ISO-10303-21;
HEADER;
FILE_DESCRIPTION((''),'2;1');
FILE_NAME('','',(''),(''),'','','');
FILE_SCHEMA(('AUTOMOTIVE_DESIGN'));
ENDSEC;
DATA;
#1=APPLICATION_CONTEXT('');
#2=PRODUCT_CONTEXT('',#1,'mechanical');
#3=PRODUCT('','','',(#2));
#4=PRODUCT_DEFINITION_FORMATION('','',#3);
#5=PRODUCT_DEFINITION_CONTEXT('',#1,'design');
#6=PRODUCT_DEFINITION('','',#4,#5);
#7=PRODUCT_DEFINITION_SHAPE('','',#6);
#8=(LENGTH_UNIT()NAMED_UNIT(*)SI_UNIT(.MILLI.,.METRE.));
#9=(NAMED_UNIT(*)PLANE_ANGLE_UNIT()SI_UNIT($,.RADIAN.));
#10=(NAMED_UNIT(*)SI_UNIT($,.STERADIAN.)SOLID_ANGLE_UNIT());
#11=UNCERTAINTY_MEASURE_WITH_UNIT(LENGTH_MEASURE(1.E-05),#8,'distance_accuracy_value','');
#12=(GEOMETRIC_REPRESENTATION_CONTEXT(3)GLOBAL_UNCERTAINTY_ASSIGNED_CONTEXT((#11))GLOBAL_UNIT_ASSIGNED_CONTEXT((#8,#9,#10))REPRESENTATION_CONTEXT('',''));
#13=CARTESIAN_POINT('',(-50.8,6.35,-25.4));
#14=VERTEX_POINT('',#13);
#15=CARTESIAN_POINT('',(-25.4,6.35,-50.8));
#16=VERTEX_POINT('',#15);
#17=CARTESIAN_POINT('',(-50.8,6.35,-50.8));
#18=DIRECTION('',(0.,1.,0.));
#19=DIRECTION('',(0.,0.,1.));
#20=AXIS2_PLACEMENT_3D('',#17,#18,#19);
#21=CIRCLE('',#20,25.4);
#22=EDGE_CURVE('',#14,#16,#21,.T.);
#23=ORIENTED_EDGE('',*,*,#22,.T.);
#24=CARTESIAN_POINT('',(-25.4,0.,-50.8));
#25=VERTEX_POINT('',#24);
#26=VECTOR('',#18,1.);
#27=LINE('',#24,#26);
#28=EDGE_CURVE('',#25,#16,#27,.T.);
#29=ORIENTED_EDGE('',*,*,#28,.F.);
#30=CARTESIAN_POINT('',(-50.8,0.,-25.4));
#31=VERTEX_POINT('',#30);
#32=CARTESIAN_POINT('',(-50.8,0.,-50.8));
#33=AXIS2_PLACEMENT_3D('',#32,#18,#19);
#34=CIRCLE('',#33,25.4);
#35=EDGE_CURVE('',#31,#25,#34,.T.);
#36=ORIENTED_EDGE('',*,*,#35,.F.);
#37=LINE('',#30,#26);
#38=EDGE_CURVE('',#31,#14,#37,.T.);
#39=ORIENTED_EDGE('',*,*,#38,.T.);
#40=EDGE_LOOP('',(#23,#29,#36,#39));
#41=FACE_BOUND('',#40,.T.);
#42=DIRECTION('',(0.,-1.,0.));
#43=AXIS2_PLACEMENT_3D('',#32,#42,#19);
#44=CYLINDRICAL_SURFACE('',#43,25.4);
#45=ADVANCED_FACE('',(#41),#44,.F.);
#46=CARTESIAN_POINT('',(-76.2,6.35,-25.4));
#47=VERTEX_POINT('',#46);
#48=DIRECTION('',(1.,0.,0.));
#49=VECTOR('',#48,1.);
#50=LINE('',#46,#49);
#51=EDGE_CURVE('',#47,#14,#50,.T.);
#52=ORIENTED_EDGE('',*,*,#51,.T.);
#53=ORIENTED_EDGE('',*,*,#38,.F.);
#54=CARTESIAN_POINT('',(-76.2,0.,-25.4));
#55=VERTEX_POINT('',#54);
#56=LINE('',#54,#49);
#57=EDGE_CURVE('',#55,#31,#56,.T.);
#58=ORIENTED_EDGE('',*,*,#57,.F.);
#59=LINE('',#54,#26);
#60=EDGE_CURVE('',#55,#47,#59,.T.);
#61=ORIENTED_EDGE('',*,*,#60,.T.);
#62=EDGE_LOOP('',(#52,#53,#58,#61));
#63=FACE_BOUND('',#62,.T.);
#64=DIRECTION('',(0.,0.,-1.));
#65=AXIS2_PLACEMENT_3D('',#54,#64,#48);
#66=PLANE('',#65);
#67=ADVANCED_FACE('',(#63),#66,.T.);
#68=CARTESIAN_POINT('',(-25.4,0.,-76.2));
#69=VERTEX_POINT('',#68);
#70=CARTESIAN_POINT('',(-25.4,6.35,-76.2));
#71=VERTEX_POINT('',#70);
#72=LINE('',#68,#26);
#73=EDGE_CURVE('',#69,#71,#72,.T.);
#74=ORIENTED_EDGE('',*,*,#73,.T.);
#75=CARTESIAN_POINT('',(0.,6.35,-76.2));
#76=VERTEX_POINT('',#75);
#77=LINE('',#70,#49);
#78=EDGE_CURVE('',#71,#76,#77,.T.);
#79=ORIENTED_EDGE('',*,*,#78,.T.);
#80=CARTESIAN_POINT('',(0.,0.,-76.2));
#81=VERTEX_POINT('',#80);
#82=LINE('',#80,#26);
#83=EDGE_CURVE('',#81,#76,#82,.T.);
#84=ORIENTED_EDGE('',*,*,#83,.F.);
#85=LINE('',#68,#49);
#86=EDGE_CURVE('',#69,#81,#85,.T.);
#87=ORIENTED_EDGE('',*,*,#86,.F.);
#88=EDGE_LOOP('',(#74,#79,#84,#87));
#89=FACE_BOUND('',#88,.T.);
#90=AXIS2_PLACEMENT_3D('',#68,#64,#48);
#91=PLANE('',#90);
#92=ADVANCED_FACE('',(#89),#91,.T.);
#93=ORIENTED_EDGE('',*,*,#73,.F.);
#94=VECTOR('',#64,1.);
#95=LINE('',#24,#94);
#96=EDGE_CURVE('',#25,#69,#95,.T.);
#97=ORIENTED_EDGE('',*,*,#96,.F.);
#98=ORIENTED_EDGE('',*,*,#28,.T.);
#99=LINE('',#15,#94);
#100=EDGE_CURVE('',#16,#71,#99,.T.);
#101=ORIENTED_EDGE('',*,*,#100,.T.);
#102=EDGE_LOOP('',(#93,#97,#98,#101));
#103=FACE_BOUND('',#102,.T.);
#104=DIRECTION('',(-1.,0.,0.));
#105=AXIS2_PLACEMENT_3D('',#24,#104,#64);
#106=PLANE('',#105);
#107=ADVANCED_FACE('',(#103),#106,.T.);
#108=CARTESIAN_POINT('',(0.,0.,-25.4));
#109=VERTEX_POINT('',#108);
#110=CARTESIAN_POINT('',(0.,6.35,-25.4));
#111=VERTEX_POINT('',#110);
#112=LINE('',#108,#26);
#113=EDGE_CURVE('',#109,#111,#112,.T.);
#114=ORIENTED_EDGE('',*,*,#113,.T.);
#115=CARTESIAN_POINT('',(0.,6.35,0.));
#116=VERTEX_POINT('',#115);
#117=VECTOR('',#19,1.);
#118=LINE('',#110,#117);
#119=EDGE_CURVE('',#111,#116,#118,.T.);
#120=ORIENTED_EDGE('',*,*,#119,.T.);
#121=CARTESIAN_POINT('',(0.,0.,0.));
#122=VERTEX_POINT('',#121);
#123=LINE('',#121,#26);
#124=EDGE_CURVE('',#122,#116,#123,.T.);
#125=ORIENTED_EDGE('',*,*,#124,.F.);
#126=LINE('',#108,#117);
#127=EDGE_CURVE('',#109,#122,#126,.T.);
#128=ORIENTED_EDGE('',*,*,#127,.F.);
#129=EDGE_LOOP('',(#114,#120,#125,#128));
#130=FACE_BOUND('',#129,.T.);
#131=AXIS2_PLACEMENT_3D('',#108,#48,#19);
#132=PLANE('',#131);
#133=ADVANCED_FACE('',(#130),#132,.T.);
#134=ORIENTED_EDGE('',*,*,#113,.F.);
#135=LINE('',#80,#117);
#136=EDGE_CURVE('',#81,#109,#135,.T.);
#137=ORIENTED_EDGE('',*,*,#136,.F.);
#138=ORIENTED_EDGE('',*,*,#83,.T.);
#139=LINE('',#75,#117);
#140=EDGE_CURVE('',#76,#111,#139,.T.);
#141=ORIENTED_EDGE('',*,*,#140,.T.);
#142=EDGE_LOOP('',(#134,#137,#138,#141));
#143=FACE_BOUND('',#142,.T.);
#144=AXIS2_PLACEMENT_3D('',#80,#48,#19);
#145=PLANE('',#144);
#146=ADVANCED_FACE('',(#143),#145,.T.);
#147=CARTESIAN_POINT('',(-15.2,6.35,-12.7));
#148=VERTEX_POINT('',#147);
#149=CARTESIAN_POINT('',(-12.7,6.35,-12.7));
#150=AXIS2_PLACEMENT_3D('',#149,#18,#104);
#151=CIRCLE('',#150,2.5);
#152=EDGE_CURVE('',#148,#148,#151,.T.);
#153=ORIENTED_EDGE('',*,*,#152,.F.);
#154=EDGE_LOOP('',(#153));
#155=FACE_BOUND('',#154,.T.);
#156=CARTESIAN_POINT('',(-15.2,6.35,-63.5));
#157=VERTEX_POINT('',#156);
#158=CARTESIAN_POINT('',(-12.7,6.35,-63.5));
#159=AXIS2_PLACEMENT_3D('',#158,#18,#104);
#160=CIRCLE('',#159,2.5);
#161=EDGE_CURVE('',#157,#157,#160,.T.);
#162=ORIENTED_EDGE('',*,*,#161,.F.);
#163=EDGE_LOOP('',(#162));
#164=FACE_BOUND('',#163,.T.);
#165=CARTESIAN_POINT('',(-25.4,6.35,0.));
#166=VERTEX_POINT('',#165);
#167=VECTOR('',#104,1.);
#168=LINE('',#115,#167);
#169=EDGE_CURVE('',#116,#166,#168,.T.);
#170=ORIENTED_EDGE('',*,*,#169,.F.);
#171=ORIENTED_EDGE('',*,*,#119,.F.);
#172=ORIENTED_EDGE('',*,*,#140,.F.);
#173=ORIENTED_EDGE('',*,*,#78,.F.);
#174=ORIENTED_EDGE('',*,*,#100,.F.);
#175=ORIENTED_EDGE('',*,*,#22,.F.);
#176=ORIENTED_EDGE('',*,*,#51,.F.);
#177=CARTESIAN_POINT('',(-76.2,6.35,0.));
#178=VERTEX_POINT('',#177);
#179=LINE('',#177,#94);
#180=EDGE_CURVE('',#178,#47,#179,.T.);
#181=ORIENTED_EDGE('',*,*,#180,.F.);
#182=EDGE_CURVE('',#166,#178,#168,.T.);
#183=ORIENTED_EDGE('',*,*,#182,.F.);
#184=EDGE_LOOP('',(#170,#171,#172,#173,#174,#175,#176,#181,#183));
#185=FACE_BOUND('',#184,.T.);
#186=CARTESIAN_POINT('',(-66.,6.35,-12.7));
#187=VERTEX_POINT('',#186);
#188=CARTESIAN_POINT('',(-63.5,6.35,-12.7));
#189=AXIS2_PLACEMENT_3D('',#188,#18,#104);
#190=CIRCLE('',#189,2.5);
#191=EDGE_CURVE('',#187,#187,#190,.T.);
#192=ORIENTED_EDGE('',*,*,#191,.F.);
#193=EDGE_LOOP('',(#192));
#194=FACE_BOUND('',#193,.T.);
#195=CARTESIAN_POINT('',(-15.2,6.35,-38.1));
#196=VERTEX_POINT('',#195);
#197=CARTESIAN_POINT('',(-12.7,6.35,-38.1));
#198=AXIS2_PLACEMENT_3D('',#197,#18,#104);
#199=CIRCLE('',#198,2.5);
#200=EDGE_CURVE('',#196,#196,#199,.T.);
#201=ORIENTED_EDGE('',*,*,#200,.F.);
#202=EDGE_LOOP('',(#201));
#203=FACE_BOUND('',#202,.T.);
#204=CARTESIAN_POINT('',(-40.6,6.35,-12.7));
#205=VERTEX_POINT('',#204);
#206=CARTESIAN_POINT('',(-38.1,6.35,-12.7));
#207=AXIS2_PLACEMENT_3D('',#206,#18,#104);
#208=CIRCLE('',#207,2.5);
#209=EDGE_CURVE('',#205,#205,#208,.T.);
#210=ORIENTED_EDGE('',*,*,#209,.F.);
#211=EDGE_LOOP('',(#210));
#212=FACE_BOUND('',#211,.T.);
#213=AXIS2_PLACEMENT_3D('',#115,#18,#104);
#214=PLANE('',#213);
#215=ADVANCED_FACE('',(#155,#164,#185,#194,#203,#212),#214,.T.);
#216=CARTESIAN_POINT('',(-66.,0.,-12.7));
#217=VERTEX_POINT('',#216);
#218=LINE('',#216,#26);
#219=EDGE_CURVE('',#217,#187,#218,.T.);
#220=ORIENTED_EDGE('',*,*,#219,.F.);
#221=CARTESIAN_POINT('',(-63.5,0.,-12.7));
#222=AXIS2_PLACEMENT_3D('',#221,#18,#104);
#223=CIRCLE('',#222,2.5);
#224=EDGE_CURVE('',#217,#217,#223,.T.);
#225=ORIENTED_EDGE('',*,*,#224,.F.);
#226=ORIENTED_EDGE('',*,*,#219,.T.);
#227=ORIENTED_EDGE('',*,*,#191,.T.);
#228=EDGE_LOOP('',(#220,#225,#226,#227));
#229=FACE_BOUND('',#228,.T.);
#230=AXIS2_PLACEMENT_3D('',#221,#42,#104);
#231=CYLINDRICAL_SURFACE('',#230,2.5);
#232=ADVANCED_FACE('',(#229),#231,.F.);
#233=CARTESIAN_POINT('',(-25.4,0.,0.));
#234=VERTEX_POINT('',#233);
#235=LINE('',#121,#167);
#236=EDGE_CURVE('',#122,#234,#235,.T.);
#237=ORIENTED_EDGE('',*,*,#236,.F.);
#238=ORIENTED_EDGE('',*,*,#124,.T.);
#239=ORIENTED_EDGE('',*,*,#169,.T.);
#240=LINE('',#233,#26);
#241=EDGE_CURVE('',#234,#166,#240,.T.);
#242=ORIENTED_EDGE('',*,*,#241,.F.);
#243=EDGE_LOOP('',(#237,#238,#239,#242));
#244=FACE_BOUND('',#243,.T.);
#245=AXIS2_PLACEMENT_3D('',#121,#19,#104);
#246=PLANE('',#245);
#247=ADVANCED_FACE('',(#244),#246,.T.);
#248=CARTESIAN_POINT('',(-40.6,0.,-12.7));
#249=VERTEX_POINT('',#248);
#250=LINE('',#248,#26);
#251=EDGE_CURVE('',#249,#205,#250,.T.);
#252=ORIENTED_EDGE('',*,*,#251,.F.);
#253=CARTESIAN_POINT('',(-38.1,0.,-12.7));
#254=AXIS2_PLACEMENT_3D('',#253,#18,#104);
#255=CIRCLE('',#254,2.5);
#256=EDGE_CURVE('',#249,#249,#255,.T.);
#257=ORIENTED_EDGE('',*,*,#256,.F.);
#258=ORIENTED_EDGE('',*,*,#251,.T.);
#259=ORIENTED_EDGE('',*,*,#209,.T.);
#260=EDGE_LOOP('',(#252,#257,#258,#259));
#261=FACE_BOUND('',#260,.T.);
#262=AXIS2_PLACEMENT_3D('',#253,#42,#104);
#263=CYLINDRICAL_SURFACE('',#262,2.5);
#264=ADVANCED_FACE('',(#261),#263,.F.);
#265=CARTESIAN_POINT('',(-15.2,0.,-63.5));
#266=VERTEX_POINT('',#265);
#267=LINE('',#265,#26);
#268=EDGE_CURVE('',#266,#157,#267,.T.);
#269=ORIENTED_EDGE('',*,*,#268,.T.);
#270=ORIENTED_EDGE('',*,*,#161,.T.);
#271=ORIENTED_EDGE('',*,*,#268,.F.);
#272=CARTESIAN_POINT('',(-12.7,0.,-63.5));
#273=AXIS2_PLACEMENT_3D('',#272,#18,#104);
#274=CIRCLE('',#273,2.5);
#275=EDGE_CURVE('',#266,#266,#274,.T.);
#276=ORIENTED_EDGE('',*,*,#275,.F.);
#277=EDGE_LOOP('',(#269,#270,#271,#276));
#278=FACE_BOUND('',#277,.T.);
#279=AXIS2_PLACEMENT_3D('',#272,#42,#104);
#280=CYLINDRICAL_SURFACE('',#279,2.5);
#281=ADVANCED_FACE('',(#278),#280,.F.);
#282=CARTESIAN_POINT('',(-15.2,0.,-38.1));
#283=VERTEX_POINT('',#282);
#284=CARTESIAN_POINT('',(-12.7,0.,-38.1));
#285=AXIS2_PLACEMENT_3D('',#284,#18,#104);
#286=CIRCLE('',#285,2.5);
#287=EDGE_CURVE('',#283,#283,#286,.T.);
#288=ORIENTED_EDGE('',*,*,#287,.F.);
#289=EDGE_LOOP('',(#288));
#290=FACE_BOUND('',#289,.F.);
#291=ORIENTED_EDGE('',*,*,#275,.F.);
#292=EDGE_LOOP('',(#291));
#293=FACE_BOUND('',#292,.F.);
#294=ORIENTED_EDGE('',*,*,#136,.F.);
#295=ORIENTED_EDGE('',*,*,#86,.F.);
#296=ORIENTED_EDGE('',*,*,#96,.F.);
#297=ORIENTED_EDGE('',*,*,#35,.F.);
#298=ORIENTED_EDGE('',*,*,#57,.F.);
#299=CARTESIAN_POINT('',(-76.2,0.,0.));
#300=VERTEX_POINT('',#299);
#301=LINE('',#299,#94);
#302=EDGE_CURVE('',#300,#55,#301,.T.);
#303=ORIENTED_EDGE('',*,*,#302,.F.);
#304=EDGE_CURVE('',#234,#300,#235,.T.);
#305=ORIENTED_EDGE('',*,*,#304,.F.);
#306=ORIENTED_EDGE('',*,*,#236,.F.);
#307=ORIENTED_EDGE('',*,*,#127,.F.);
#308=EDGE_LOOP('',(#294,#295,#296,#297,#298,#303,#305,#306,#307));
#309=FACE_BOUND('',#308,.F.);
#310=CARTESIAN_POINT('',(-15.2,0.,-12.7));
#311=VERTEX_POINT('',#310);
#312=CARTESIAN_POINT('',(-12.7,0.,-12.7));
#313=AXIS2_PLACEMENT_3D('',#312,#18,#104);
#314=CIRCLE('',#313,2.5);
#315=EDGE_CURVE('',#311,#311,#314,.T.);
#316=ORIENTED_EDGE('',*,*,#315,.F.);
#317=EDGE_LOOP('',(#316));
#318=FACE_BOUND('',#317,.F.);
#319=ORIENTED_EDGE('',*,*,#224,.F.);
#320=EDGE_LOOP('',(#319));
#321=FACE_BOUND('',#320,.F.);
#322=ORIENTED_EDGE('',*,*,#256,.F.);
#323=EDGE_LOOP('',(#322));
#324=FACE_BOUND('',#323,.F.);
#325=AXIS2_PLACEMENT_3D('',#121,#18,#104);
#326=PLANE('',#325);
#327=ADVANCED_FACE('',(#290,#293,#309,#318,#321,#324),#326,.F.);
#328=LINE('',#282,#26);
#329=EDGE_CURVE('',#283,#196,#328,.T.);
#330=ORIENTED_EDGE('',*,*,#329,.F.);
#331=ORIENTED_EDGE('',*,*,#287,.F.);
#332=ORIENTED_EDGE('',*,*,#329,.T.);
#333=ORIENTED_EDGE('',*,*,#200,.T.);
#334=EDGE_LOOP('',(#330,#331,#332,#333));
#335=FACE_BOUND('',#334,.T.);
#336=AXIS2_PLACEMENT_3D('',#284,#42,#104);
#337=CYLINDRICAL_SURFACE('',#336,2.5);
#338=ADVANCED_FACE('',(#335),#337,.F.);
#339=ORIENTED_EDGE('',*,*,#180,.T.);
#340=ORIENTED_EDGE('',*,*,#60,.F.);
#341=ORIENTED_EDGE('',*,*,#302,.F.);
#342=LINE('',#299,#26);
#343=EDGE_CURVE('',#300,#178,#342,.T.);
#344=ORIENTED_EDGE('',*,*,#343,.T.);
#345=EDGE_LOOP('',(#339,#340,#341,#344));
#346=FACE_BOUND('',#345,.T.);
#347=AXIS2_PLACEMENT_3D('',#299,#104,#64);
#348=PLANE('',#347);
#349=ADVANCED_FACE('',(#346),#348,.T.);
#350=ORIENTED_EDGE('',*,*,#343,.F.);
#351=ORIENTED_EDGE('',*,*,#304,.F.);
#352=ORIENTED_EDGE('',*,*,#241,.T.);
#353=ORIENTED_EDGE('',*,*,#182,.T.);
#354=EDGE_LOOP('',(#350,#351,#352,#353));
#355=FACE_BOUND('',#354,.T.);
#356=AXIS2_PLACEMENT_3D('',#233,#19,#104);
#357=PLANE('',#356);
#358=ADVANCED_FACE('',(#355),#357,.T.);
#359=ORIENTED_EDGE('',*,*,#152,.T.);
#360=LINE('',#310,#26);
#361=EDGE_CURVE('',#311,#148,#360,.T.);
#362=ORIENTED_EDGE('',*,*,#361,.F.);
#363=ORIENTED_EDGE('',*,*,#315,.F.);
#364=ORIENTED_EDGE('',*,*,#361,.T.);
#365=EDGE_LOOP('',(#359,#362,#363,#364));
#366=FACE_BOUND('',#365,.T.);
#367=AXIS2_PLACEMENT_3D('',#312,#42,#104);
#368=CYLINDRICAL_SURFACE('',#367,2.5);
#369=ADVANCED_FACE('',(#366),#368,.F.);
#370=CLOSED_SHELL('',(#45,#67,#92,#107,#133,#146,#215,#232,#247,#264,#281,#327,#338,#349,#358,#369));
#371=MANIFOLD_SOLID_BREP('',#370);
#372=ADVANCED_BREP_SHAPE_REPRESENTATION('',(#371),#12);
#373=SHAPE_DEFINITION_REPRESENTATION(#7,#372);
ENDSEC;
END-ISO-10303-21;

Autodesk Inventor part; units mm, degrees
ref_plane "YZ Plane" through (0, 0, 0) normal (1, 0, 0) x (0, 1, 0)
ref_plane "XZ Plane" through (0, 0, 0) normal (0, 1, 0) x (-1, 0, 0)
ref_plane "XY Plane" through (0, 0, 0) normal (0, 0, 1) x (1, 0, 0)
sketch "Sketch1" plane through (0, 0, 0) normal (0, 1, 0) x (-1, 0, 0)
  line L0 (0, 0) -> (76.2, 0)
  line L1 (76.2, 0) -> (76.2, -25.4)
  line L2 (76.2, -25.4) -> (50.8, -25.4)
  line L3 (0, -25.4) -> (0, 0)
  line L4 (0, 0) -> (25.4, 0)
  line L5 (25.4, -50.8) -> (25.4, -76.2)
  line L6 (25.4, -76.2) -> (0, -76.2)
  line L7 (0, -76.2) -> (0, 0)
  arc A0 (50.8, -25.4) -> (25.4, -50.8) centre (50.8, -50.8) ccw
  circle A1 centre (63.5, -12.7) radius 2.5
  circle A2 centre (38.1, -12.7) radius 2.5
  circle A3 centre (12.7, -12.7) radius 2.5
  circle A4 centre (12.7, -38.1) radius 2.5
  circle A5 centre (12.7, -63.5) radius 2.5
  point P0 (12.7, -76.2)
  point P1 (76.2, -12.7)
  dimension "d0" = 76.2
  dimension "d1" = 25.4
  dimension "d2" = 25.4
  dimension "d3" = 76.2
  dimension "d4" = 25.4
  dimension "d5" = 5
  dimension "d6" = 5
  dimension "d7" = 5
  dimension "d8" = 5
  dimension "d9" = 5
  dimension "d10" = 12.7
  dimension "d11" = 12.7
  dimension "d12" = 12.7
  dimension "d13" = 12.7
  dimension "d14" = 12.7
  dimension "d15" = 12.7
  dimension "d16" = 38.1
  dimension "d17" = 38.1
  dimension "d18" = 12.7
  dimension "d19" = 12.7
extrude "Extrusion1" add sketch "Sketch1" along normal blind 6.35
equation "\"d11\" = d10"
equation "\"d12\" = d10"
equation "\"d13\" = d10"
equation "\"d14\" = d10"
equation "\"d15\" = d14"
equation "\"d16\" = 0.5 * d3"
equation "\"d17\" = 0.5 * d0"
equation "\"d18\" = d10"
equation "\"d19\" = d10"
properties part number "90CornerBracket" material "Phenolic Resin"
